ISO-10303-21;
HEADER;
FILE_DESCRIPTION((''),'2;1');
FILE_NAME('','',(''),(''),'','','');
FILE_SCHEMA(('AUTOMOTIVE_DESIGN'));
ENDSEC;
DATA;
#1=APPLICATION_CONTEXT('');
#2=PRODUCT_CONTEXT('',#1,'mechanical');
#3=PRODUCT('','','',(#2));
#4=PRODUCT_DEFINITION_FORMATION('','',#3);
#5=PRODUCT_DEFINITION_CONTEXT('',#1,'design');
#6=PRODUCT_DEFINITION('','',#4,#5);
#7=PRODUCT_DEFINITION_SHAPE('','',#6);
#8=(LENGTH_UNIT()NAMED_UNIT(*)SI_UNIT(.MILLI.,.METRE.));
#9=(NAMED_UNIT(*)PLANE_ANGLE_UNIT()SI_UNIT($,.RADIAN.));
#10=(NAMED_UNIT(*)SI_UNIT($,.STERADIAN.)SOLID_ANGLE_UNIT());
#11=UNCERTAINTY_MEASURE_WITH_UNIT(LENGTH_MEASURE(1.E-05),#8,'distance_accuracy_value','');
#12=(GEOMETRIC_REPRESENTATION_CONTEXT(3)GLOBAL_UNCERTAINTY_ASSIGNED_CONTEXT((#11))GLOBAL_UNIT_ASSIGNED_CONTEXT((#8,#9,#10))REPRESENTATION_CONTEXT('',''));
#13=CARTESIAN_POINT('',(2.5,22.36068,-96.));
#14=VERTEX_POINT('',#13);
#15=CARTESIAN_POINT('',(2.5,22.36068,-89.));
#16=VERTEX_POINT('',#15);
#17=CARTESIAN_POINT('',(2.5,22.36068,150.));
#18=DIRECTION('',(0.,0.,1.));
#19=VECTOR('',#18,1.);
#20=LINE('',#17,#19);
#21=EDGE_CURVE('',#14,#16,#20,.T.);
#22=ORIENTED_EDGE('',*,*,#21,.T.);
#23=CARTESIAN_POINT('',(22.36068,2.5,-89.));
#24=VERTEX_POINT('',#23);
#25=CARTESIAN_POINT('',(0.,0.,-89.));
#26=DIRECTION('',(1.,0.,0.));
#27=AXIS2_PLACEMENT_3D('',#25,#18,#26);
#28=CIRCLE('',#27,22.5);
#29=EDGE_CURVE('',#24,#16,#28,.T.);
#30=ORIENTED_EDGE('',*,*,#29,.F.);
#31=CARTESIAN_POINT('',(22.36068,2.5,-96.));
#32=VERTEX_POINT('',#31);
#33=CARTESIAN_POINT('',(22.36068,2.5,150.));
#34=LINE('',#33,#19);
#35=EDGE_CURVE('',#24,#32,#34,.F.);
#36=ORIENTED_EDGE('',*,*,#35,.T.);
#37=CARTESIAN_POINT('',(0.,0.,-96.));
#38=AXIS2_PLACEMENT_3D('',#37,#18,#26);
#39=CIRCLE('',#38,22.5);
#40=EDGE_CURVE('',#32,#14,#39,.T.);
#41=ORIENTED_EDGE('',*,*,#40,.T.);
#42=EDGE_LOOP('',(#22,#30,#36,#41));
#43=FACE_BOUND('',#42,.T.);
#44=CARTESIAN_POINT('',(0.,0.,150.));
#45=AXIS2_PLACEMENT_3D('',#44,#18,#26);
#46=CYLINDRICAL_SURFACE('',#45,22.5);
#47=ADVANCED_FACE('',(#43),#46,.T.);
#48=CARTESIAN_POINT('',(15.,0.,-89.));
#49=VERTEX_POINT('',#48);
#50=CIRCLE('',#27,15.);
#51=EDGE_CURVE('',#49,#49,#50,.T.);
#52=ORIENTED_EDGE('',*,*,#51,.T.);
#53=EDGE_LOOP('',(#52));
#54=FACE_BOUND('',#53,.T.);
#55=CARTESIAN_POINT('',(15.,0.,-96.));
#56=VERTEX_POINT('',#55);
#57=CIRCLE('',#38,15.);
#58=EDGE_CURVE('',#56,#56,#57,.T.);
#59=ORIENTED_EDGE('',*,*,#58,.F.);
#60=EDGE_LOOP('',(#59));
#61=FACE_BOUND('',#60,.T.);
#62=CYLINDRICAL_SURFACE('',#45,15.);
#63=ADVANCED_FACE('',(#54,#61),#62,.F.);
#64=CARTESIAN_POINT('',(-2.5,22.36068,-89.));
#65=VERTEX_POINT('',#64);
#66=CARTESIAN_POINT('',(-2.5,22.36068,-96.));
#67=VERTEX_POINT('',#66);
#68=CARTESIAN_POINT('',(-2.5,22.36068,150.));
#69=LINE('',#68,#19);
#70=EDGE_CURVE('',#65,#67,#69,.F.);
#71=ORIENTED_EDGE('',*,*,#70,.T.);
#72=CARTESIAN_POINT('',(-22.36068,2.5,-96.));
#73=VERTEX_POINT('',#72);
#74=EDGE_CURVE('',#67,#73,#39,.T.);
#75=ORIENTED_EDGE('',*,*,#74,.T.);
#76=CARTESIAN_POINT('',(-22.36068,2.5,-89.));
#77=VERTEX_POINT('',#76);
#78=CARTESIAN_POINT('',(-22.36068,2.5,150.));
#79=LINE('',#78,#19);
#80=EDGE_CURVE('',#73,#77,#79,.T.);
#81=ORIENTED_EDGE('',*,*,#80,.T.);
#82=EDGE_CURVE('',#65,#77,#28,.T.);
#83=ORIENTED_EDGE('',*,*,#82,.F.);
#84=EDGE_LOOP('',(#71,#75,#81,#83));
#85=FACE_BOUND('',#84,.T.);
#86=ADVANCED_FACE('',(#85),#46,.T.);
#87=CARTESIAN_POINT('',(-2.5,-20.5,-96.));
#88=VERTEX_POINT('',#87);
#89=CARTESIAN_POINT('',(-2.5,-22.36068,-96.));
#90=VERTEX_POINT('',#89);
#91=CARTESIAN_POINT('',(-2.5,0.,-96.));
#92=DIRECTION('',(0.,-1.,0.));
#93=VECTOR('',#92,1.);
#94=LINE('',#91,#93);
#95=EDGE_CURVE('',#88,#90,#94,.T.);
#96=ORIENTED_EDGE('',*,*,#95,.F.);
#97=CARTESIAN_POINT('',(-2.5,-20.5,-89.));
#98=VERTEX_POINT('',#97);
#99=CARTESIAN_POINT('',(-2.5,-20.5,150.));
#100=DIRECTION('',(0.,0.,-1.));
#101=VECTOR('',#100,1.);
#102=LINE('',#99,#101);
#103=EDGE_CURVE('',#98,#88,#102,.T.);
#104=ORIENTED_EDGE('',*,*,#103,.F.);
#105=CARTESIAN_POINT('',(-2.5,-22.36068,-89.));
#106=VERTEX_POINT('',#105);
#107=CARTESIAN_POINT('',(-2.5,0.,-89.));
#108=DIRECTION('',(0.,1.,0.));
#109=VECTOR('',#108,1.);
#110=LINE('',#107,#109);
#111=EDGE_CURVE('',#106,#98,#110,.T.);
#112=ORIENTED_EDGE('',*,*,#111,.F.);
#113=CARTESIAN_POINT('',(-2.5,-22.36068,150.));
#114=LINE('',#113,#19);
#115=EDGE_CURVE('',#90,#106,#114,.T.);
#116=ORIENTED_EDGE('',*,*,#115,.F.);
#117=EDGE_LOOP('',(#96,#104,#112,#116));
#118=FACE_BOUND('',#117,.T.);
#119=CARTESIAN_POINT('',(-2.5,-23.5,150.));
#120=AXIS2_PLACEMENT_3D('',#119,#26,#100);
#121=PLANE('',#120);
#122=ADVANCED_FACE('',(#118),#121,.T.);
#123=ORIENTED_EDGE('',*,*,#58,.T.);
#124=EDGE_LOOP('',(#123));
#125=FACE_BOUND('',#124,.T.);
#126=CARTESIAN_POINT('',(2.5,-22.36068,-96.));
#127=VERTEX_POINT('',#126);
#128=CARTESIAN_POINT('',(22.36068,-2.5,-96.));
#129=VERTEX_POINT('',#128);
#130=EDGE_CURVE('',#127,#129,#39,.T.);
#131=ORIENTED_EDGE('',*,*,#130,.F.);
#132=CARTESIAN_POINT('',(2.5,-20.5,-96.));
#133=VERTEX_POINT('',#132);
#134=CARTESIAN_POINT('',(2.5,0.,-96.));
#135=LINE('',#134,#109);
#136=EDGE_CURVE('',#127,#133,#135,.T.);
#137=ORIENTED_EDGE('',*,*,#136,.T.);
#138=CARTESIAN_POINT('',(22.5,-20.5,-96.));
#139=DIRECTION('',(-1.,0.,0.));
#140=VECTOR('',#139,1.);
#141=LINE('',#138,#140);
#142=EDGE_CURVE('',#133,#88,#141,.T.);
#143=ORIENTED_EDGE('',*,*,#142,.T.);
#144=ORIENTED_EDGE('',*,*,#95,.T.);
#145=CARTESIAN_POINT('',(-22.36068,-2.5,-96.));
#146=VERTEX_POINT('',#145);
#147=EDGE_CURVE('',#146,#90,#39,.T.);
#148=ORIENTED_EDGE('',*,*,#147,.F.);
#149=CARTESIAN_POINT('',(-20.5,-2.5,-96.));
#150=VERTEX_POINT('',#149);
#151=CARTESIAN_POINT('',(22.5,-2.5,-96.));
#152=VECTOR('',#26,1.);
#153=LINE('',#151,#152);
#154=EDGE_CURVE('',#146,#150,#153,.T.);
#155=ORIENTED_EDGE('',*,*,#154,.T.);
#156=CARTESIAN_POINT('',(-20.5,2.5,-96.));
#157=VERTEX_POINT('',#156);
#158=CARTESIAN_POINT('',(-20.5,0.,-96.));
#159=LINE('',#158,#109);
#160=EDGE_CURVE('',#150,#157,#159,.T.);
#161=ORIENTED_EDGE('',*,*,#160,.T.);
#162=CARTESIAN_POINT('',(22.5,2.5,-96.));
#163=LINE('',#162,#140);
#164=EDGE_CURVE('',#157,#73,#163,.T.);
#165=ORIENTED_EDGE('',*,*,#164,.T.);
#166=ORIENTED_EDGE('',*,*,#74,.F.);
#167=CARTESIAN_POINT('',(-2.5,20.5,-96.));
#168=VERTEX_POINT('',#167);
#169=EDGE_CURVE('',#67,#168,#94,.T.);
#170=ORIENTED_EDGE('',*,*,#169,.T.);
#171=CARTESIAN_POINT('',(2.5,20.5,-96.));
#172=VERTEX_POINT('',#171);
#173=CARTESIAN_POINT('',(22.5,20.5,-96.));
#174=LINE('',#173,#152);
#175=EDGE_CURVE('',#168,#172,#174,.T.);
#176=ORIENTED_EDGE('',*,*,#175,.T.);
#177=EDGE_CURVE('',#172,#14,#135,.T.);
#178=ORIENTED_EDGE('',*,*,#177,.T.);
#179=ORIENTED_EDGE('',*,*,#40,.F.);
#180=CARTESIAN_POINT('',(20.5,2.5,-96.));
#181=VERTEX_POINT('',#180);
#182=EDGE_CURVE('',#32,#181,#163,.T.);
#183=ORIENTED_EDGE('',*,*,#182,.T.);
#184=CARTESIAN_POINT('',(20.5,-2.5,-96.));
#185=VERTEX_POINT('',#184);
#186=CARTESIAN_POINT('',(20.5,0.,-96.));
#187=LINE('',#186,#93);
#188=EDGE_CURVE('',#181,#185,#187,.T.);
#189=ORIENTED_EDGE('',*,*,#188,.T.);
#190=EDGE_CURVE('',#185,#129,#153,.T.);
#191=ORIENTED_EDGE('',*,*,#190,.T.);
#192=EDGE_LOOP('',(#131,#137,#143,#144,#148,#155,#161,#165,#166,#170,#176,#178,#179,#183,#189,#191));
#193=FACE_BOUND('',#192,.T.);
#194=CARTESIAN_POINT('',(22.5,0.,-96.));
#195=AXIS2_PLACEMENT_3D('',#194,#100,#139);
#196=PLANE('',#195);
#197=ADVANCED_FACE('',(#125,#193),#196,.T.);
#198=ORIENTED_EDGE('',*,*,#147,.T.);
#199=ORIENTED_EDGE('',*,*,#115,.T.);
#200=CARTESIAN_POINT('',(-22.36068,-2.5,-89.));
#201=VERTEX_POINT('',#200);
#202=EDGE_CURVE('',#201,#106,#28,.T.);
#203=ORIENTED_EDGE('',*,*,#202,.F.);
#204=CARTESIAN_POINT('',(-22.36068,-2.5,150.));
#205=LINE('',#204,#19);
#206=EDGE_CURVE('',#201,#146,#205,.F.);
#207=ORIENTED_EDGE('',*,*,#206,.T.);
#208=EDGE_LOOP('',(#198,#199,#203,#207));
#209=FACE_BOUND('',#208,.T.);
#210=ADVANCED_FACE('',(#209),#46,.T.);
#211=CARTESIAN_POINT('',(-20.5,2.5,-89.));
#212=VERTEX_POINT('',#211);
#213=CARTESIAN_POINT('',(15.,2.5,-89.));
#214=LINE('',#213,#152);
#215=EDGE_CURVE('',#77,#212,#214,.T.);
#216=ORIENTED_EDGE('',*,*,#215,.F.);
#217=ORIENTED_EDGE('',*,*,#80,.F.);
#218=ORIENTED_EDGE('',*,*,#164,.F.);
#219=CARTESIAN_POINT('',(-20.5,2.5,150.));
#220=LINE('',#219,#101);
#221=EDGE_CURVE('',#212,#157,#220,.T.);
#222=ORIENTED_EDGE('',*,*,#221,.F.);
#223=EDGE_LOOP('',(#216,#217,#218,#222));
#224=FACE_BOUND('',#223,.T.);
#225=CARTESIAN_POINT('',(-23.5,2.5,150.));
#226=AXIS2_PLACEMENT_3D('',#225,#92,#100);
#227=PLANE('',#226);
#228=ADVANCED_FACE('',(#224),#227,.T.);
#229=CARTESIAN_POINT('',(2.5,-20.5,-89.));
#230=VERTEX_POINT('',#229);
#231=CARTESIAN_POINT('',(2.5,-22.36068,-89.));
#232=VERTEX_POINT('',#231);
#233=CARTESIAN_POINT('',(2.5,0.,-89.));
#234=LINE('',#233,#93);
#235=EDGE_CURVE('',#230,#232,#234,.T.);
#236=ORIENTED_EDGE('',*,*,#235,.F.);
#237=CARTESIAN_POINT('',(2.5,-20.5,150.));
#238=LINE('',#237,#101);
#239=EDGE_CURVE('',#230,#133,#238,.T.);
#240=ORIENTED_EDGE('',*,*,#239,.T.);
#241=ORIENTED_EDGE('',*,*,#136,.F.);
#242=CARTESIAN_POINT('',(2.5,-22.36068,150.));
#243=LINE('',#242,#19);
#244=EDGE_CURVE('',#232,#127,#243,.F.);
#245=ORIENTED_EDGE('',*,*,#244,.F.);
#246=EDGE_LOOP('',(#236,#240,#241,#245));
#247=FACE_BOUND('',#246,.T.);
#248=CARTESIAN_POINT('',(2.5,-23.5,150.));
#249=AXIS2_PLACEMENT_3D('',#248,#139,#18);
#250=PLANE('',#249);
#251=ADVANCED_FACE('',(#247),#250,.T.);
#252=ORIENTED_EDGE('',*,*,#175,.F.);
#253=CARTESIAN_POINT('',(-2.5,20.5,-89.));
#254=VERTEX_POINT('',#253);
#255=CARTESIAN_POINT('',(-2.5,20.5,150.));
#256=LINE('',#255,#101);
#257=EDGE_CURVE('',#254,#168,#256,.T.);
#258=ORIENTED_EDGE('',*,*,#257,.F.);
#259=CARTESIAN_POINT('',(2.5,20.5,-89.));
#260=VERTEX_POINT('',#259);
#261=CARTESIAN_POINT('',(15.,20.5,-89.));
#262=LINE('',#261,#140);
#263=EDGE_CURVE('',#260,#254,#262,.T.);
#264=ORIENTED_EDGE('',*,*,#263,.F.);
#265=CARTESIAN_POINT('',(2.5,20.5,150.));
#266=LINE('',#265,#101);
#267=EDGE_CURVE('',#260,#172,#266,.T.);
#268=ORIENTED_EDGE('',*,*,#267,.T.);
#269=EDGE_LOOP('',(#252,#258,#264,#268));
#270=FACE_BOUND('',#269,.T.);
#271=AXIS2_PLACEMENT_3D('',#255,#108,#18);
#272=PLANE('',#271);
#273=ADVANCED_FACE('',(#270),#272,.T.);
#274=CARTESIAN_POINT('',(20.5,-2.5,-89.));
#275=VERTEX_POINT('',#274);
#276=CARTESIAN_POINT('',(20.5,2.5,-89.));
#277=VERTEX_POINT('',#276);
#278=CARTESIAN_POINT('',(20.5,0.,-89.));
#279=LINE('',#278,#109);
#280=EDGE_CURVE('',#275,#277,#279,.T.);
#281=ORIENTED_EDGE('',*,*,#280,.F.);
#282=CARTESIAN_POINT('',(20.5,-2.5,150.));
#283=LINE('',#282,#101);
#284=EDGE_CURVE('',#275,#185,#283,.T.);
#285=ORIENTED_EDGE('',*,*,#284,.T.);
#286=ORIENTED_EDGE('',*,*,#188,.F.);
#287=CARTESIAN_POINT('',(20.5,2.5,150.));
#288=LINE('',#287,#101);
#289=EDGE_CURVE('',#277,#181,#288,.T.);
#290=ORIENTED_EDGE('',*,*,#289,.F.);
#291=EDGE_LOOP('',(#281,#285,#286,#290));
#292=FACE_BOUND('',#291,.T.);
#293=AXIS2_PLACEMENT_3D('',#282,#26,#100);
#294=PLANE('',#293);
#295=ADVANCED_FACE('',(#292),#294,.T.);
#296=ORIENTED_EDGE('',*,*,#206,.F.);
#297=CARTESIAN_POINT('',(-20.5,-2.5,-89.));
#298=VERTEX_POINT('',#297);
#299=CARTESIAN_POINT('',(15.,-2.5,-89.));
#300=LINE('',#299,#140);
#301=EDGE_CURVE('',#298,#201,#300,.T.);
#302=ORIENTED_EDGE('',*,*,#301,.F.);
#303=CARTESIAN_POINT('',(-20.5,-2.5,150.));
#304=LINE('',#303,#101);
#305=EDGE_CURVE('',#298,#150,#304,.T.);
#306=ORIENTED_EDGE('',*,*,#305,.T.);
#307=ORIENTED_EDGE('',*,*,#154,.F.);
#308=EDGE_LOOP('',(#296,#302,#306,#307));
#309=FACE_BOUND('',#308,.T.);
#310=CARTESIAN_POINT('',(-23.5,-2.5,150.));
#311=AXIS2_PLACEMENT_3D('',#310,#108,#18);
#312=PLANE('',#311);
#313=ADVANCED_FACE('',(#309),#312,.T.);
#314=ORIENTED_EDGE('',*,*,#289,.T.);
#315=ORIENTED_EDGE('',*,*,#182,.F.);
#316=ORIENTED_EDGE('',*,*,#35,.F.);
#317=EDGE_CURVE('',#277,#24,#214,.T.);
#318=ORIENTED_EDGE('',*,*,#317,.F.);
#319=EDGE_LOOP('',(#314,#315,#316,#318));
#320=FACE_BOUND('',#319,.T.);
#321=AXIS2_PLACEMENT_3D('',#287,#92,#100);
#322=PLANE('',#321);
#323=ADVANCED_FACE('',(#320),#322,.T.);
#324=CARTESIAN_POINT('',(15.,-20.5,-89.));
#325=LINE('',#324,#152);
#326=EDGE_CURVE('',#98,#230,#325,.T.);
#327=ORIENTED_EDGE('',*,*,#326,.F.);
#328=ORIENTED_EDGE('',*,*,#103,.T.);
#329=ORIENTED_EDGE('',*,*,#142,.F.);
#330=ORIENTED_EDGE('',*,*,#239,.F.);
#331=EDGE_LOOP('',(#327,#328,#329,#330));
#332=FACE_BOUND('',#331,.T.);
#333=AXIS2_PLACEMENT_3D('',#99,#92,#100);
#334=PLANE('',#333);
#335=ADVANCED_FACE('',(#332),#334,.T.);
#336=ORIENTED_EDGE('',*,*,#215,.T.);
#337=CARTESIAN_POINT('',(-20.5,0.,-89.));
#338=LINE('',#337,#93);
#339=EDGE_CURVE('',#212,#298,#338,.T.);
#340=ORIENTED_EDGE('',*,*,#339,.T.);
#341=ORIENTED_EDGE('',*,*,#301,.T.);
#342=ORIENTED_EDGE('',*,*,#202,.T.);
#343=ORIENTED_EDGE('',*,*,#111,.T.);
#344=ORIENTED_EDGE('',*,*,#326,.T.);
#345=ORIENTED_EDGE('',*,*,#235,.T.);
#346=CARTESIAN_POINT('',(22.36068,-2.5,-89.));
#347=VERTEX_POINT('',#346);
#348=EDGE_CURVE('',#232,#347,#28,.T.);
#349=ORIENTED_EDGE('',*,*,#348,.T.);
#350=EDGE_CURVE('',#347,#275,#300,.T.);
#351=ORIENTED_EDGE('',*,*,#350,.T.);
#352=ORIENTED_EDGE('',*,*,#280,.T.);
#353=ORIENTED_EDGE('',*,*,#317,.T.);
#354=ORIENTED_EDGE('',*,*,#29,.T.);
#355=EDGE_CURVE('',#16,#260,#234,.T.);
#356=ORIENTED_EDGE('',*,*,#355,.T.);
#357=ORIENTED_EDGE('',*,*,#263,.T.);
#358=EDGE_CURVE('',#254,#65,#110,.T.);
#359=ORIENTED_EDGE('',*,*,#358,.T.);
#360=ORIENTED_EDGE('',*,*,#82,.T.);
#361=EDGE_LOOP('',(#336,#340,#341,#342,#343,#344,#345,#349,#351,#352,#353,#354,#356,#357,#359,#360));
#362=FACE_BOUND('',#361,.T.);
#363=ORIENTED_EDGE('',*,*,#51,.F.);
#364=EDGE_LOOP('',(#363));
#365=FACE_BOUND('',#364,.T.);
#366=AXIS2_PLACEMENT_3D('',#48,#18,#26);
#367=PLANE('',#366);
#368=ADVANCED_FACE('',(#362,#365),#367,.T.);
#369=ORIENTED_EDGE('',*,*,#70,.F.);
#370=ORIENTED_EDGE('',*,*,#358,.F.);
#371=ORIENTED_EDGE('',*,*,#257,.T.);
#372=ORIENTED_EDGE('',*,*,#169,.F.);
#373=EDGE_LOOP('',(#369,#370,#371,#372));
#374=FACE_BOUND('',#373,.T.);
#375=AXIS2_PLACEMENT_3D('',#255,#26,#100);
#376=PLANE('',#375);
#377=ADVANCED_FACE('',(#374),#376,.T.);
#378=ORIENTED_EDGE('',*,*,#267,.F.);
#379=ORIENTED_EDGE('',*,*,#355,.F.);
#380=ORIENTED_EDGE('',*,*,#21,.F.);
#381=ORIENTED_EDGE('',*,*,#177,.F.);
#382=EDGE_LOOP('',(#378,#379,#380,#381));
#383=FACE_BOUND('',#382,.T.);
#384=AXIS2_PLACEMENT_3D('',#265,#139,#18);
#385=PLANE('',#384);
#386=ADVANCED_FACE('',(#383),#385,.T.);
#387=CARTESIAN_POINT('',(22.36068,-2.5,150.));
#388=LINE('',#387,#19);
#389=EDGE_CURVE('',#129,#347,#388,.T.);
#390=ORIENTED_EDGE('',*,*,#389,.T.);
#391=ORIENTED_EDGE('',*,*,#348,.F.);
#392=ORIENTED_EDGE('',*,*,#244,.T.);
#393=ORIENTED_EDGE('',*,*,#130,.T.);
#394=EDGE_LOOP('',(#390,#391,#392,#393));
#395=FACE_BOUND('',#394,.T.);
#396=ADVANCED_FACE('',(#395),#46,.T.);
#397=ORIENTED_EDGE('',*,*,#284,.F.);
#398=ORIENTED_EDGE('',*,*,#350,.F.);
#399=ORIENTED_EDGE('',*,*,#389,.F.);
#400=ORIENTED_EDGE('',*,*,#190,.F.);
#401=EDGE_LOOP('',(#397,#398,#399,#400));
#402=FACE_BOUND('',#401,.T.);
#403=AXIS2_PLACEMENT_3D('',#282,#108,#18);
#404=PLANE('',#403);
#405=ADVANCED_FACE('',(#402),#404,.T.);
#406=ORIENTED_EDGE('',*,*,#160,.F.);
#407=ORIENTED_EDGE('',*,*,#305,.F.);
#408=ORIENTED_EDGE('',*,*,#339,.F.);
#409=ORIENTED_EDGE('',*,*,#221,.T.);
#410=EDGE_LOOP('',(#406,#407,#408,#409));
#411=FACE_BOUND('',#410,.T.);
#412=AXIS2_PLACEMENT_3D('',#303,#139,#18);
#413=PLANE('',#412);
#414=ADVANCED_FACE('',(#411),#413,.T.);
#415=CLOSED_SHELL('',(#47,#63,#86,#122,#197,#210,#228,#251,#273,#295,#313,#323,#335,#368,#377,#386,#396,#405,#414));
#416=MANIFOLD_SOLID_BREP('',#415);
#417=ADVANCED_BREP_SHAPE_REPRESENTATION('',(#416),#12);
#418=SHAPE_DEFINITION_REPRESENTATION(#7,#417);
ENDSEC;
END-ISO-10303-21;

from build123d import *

# Parameters (mm, degrees)
SKETCH1_W            = 7.5
SKETCH1_H            = 7
SKETCH2_W            = 3
SKETCH2_H            = 5
SKETCH2_W_2          = 5
SKETCH2_H_2          = 3
CUT_4XSLOT_5X2_DEPTH = 150


with BuildPart() as part:
    # Sketch1 → REV_KM6_M30x1.5_45x7 (revolve)
    with BuildSketch(Plane(origin=(0, 0, 0), x_dir=(1, 0, 0), z_dir=(0, 1, 0))):
        with Locations((18.75, 92.5)):
            Rectangle(SKETCH1_W, SKETCH1_H)
    revolve(axis=Axis((0, 0, 150), (0, 0, -1)))

    # Sketch2 → CUT_4xSlot_5x2 (cut, symmetric)
    with BuildSketch(Plane.XY):
        with Locations((22, 0)):
            Rectangle(SKETCH2_W, SKETCH2_H)
        with Locations((-22, 0)):
            Rectangle(SKETCH2_W, SKETCH2_H)
        with Locations((0, 22)):
            Rectangle(SKETCH2_W_2, SKETCH2_H_2)
        with Locations((0, -22)):
            Rectangle(SKETCH2_W_2, SKETCH2_H_2)
    extrude(amount=CUT_4XSLOT_5X2_DEPTH, both=True, mode=Mode.SUBTRACT)


solid = part.part
